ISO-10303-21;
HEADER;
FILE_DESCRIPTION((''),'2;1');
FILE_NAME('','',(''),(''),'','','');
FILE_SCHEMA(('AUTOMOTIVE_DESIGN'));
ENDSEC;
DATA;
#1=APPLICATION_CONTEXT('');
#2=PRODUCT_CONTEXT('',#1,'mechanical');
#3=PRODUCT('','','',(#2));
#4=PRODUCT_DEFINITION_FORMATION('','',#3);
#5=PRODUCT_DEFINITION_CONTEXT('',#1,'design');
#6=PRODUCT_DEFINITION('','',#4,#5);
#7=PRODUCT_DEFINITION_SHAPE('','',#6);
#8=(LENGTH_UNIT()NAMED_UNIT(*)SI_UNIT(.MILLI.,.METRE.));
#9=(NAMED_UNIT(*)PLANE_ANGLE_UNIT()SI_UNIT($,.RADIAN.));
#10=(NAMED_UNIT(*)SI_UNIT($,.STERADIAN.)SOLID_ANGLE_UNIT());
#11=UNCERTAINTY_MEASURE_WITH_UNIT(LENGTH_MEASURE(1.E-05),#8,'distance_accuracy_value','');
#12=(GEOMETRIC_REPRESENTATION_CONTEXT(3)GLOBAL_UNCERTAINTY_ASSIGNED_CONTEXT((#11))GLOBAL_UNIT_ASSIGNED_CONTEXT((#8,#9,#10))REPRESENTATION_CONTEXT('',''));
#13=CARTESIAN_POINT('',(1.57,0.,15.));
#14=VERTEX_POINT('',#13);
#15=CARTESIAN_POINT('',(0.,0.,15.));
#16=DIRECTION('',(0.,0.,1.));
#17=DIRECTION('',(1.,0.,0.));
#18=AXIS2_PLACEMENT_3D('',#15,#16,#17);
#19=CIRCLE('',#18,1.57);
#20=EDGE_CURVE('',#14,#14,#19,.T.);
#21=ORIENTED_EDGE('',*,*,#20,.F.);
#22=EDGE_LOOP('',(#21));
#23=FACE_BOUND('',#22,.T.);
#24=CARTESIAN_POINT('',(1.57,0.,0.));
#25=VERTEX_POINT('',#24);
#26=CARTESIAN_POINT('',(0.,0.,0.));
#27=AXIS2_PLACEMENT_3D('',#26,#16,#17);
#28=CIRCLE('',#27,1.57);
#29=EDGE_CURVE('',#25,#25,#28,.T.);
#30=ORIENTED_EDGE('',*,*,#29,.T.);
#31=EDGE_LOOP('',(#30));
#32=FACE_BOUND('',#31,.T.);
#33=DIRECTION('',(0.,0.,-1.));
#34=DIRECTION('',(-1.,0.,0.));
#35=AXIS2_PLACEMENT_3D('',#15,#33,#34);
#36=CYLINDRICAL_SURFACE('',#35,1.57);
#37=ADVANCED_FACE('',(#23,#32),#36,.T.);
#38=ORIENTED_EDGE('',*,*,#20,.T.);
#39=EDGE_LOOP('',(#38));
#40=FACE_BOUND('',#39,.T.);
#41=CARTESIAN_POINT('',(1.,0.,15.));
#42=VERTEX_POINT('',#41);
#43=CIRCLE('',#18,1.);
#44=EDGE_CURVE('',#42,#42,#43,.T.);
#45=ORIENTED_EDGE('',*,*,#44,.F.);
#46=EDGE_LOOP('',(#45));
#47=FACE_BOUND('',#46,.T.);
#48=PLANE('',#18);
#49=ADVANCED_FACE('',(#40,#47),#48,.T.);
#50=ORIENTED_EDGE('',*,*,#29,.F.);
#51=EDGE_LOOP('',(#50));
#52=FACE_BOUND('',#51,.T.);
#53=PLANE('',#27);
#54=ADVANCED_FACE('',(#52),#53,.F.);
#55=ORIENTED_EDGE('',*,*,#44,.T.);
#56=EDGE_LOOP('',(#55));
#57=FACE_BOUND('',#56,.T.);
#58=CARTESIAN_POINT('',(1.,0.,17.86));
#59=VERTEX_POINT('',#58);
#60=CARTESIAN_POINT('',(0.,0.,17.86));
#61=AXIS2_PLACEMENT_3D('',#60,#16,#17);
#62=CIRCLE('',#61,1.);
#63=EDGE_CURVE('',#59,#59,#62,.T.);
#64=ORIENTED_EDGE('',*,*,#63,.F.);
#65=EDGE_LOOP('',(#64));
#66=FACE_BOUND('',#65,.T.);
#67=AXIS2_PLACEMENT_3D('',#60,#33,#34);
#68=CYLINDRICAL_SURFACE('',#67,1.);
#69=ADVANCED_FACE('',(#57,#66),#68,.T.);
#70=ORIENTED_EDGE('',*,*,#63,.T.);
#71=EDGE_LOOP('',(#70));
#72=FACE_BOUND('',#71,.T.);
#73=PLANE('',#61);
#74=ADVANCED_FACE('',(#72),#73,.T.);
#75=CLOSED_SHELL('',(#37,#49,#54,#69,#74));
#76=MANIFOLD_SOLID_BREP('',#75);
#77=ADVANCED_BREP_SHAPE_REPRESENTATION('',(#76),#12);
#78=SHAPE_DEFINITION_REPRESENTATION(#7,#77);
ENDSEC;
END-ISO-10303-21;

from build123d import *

# Parameters (mm, degrees)
SKETCH2_R           = 1
BOSS_EXTRUDE1_DEPTH = 17.86
SKETCH6_R           = 1.57
BOSS_EXTRUDE2_DEPTH = 15


with BuildPart() as part:
    # Sketch2 → Boss-Extrude1 (new body)
    with BuildSketch(Plane.XY):
        Circle(SKETCH2_R)
    extrude(amount=BOSS_EXTRUDE1_DEPTH)

    # Sketch6 → Boss-Extrude2 (add)
    with BuildSketch(Plane.XY):
        Circle(SKETCH6_R)
    extrude(amount=BOSS_EXTRUDE2_DEPTH)


solid = part.part
